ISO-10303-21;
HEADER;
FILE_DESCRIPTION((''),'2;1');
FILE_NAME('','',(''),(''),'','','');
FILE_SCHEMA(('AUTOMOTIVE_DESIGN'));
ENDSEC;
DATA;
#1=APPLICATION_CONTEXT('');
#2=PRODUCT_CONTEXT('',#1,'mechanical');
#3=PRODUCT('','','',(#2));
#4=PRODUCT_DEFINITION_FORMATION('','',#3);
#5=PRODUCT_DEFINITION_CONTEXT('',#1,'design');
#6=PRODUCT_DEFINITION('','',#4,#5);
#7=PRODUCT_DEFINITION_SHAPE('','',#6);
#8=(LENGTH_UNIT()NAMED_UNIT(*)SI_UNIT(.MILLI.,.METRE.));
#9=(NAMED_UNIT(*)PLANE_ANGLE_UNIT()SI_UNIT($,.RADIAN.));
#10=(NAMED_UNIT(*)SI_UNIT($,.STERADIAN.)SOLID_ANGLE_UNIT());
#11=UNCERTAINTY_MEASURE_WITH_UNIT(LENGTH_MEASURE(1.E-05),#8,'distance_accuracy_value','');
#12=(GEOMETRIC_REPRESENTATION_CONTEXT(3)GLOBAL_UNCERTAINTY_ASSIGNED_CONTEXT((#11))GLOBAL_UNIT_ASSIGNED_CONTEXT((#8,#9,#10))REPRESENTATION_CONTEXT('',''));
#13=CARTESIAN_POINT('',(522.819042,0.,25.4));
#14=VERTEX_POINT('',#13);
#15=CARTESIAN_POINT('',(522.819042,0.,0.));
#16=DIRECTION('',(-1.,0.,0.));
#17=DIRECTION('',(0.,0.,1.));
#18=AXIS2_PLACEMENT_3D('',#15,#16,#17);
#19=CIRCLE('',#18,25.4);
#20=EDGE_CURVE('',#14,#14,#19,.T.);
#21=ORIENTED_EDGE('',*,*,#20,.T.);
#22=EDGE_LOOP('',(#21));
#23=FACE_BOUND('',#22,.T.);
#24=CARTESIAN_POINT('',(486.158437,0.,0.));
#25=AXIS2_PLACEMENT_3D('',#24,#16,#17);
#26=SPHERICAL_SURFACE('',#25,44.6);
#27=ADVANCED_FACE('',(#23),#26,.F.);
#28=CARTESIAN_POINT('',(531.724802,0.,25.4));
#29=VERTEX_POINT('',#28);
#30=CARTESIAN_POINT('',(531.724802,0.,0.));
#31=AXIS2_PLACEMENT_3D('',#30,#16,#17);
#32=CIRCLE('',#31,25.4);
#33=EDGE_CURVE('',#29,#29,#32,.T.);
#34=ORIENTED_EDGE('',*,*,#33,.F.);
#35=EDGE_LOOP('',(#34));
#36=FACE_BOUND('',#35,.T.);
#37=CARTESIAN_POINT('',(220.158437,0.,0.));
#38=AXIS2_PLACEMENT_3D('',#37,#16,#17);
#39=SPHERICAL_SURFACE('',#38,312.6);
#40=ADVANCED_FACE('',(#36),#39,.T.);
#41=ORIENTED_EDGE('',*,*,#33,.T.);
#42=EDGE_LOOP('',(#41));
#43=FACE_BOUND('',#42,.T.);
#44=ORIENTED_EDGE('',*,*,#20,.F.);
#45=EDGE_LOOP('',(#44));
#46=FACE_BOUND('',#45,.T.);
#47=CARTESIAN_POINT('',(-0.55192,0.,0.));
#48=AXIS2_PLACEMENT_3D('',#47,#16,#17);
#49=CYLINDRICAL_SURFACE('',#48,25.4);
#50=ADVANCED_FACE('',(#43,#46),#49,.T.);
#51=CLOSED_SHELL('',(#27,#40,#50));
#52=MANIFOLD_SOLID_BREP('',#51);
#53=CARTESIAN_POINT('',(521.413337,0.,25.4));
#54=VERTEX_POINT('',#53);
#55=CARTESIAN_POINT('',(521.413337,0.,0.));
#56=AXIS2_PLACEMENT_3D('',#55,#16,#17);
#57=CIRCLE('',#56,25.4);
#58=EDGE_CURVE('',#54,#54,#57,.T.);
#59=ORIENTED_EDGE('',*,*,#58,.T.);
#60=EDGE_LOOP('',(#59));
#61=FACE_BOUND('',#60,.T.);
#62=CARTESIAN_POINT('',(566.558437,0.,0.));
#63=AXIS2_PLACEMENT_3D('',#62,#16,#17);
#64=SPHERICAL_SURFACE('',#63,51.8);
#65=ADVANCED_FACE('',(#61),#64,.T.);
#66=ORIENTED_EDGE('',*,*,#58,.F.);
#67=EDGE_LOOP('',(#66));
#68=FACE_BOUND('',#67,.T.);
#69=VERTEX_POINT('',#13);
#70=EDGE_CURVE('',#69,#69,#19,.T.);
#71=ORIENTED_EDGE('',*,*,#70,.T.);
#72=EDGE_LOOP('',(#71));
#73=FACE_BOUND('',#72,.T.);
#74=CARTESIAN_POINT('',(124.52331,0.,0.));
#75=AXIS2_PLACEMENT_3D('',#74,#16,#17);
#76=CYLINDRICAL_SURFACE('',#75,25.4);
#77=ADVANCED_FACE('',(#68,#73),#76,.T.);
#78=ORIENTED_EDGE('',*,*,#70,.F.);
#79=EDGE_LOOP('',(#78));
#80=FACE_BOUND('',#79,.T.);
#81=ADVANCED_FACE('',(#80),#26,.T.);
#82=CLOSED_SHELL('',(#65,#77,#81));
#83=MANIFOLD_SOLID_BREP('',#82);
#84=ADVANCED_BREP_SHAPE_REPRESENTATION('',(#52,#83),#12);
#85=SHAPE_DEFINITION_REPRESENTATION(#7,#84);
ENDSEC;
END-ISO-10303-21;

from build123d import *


with BuildPart() as part:
    # 草图1 one side → 旋转1 (revolve)
    with BuildSketch(Plane(origin=(0, 0, 0), x_dir=(1, 0, 0), z_dir=(0, 1, 0)), mode=Mode.PRIVATE) as revolve_1_sk:
        with BuildLine():
            ThreePointArc((521.413337107, 25.4), (516.44977384, 13.128668078), (514.758436509, 0))
            Line((514.758436509, 0), (530.758436509, 0))
            ThreePointArc((530.758436509, 0), (528.727339525, 13.305957163), (522.819042069, 25.4))
            Line((522.819042069, 25.4), (521.413337107, 25.4))
        make_face()
    revolve(revolve_1_sk.sketch.rotate(Axis((124.523309526, 0, 0), (1, 0, 0)), 180), axis=Axis((124.523309526, 0, 0), (1, 0, 0)))  # turned: the seam where the file's is


with BuildPart() as body_2:
    # 草图2 one side → 旋转3 (revolve)
    with BuildSketch(Plane(origin=(0, 0, 0), x_dir=(1, 0, 0), z_dir=(0, 1, 0)), mode=Mode.PRIVATE) as revolve_3_sk:
        with BuildLine():
            Line((531.724801831, 25.4), (522.819042069, 25.4))
            ThreePointArc((522.819042069, 25.4), (528.727339525, 13.305957163), (530.758436509, 0))
            Line((530.758436509, 0), (532.758436509, 0))
            ThreePointArc((532.758436509, 0), (532.499920945, 12.710511404), (531.724801831, 25.4))
        make_face()
    revolve(revolve_3_sk.sketch.rotate(Axis((-0.551919993, 0, 0), (1, 0, 0)), 180), axis=Axis((-0.551919993, 0, 0), (1, 0, 0)))  # turned: the seam where the file's is


solid = Compound([part.part, body_2.part])
